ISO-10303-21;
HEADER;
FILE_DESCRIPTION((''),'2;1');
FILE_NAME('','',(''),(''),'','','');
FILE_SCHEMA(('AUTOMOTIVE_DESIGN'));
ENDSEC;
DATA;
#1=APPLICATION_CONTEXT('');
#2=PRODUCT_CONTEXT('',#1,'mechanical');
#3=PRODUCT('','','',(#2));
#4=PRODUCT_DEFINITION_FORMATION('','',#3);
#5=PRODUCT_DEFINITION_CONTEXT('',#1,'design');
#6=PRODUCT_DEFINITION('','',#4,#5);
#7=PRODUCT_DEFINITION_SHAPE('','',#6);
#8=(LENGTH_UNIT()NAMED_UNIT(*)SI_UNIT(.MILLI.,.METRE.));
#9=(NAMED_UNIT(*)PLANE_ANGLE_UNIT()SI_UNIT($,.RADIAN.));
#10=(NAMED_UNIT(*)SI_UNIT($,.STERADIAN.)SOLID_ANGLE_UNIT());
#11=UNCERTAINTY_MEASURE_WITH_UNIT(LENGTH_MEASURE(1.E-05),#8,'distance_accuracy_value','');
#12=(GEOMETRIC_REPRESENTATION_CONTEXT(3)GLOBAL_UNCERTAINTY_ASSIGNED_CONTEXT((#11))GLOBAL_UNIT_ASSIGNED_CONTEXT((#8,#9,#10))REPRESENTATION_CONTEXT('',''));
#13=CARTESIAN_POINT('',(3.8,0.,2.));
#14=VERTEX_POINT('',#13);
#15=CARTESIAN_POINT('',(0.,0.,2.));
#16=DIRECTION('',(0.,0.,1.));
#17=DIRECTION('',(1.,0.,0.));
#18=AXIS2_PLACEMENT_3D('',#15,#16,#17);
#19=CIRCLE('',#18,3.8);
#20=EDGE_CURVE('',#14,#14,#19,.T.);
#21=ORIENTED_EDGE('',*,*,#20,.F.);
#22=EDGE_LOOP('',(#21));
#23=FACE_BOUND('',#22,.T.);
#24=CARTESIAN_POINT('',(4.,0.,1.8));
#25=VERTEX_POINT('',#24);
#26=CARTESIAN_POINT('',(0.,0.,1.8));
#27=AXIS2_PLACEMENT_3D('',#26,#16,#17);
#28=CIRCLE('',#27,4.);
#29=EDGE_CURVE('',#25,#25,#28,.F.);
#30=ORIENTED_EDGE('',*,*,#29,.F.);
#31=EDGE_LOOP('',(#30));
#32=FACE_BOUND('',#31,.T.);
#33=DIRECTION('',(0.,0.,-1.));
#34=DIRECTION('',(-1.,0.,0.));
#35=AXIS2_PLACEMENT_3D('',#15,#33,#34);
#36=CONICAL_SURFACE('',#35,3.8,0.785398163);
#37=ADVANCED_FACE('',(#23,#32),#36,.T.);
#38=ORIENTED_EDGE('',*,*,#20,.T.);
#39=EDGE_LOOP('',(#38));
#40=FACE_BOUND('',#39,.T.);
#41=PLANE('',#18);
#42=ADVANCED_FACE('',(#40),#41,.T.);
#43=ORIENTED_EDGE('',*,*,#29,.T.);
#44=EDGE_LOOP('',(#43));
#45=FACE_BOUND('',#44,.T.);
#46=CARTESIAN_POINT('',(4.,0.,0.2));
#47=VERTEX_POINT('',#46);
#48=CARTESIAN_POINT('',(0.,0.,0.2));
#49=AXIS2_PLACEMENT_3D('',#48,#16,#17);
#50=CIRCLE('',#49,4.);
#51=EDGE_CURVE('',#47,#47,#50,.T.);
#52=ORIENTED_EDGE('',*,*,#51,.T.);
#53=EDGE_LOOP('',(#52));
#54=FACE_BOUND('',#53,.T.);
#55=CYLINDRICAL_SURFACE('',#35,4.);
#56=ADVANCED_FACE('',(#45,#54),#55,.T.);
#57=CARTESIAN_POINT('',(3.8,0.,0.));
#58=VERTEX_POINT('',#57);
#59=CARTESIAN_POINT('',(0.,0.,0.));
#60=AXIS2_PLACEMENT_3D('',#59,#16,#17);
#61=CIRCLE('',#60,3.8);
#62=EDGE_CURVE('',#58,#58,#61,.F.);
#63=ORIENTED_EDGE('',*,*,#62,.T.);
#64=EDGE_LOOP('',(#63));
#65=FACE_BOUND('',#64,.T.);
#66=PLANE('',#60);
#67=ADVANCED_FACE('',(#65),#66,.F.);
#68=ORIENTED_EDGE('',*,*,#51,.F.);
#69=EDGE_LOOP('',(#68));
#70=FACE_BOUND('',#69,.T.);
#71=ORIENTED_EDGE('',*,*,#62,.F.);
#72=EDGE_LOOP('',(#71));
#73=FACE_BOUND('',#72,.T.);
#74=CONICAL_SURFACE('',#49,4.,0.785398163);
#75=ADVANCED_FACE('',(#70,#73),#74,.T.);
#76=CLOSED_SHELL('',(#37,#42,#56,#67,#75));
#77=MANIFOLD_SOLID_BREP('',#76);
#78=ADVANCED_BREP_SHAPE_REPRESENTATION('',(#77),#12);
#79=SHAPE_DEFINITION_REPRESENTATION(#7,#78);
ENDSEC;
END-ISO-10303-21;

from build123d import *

# Parameters (mm, degrees)
SKETCH_1_R      = 4
EXTRUDE_1_DEPTH = 2
CHAMFER_1_SIZE  = 0.2


with BuildPart() as part:
    # 草图1 → 拉伸1 (new body)
    with BuildSketch(Plane.XY):
        Circle(SKETCH_1_R)
    extrude(amount=EXTRUDE_1_DEPTH)

    # 倒角1
    chamfer_1_edges = [part.edges().sort_by_distance(p)[0] for p in [
        (-4, 0, 0),
        (-4, 0, 2),
    ]]
    chamfer(chamfer_1_edges, length=CHAMFER_1_SIZE)


solid = part.part
